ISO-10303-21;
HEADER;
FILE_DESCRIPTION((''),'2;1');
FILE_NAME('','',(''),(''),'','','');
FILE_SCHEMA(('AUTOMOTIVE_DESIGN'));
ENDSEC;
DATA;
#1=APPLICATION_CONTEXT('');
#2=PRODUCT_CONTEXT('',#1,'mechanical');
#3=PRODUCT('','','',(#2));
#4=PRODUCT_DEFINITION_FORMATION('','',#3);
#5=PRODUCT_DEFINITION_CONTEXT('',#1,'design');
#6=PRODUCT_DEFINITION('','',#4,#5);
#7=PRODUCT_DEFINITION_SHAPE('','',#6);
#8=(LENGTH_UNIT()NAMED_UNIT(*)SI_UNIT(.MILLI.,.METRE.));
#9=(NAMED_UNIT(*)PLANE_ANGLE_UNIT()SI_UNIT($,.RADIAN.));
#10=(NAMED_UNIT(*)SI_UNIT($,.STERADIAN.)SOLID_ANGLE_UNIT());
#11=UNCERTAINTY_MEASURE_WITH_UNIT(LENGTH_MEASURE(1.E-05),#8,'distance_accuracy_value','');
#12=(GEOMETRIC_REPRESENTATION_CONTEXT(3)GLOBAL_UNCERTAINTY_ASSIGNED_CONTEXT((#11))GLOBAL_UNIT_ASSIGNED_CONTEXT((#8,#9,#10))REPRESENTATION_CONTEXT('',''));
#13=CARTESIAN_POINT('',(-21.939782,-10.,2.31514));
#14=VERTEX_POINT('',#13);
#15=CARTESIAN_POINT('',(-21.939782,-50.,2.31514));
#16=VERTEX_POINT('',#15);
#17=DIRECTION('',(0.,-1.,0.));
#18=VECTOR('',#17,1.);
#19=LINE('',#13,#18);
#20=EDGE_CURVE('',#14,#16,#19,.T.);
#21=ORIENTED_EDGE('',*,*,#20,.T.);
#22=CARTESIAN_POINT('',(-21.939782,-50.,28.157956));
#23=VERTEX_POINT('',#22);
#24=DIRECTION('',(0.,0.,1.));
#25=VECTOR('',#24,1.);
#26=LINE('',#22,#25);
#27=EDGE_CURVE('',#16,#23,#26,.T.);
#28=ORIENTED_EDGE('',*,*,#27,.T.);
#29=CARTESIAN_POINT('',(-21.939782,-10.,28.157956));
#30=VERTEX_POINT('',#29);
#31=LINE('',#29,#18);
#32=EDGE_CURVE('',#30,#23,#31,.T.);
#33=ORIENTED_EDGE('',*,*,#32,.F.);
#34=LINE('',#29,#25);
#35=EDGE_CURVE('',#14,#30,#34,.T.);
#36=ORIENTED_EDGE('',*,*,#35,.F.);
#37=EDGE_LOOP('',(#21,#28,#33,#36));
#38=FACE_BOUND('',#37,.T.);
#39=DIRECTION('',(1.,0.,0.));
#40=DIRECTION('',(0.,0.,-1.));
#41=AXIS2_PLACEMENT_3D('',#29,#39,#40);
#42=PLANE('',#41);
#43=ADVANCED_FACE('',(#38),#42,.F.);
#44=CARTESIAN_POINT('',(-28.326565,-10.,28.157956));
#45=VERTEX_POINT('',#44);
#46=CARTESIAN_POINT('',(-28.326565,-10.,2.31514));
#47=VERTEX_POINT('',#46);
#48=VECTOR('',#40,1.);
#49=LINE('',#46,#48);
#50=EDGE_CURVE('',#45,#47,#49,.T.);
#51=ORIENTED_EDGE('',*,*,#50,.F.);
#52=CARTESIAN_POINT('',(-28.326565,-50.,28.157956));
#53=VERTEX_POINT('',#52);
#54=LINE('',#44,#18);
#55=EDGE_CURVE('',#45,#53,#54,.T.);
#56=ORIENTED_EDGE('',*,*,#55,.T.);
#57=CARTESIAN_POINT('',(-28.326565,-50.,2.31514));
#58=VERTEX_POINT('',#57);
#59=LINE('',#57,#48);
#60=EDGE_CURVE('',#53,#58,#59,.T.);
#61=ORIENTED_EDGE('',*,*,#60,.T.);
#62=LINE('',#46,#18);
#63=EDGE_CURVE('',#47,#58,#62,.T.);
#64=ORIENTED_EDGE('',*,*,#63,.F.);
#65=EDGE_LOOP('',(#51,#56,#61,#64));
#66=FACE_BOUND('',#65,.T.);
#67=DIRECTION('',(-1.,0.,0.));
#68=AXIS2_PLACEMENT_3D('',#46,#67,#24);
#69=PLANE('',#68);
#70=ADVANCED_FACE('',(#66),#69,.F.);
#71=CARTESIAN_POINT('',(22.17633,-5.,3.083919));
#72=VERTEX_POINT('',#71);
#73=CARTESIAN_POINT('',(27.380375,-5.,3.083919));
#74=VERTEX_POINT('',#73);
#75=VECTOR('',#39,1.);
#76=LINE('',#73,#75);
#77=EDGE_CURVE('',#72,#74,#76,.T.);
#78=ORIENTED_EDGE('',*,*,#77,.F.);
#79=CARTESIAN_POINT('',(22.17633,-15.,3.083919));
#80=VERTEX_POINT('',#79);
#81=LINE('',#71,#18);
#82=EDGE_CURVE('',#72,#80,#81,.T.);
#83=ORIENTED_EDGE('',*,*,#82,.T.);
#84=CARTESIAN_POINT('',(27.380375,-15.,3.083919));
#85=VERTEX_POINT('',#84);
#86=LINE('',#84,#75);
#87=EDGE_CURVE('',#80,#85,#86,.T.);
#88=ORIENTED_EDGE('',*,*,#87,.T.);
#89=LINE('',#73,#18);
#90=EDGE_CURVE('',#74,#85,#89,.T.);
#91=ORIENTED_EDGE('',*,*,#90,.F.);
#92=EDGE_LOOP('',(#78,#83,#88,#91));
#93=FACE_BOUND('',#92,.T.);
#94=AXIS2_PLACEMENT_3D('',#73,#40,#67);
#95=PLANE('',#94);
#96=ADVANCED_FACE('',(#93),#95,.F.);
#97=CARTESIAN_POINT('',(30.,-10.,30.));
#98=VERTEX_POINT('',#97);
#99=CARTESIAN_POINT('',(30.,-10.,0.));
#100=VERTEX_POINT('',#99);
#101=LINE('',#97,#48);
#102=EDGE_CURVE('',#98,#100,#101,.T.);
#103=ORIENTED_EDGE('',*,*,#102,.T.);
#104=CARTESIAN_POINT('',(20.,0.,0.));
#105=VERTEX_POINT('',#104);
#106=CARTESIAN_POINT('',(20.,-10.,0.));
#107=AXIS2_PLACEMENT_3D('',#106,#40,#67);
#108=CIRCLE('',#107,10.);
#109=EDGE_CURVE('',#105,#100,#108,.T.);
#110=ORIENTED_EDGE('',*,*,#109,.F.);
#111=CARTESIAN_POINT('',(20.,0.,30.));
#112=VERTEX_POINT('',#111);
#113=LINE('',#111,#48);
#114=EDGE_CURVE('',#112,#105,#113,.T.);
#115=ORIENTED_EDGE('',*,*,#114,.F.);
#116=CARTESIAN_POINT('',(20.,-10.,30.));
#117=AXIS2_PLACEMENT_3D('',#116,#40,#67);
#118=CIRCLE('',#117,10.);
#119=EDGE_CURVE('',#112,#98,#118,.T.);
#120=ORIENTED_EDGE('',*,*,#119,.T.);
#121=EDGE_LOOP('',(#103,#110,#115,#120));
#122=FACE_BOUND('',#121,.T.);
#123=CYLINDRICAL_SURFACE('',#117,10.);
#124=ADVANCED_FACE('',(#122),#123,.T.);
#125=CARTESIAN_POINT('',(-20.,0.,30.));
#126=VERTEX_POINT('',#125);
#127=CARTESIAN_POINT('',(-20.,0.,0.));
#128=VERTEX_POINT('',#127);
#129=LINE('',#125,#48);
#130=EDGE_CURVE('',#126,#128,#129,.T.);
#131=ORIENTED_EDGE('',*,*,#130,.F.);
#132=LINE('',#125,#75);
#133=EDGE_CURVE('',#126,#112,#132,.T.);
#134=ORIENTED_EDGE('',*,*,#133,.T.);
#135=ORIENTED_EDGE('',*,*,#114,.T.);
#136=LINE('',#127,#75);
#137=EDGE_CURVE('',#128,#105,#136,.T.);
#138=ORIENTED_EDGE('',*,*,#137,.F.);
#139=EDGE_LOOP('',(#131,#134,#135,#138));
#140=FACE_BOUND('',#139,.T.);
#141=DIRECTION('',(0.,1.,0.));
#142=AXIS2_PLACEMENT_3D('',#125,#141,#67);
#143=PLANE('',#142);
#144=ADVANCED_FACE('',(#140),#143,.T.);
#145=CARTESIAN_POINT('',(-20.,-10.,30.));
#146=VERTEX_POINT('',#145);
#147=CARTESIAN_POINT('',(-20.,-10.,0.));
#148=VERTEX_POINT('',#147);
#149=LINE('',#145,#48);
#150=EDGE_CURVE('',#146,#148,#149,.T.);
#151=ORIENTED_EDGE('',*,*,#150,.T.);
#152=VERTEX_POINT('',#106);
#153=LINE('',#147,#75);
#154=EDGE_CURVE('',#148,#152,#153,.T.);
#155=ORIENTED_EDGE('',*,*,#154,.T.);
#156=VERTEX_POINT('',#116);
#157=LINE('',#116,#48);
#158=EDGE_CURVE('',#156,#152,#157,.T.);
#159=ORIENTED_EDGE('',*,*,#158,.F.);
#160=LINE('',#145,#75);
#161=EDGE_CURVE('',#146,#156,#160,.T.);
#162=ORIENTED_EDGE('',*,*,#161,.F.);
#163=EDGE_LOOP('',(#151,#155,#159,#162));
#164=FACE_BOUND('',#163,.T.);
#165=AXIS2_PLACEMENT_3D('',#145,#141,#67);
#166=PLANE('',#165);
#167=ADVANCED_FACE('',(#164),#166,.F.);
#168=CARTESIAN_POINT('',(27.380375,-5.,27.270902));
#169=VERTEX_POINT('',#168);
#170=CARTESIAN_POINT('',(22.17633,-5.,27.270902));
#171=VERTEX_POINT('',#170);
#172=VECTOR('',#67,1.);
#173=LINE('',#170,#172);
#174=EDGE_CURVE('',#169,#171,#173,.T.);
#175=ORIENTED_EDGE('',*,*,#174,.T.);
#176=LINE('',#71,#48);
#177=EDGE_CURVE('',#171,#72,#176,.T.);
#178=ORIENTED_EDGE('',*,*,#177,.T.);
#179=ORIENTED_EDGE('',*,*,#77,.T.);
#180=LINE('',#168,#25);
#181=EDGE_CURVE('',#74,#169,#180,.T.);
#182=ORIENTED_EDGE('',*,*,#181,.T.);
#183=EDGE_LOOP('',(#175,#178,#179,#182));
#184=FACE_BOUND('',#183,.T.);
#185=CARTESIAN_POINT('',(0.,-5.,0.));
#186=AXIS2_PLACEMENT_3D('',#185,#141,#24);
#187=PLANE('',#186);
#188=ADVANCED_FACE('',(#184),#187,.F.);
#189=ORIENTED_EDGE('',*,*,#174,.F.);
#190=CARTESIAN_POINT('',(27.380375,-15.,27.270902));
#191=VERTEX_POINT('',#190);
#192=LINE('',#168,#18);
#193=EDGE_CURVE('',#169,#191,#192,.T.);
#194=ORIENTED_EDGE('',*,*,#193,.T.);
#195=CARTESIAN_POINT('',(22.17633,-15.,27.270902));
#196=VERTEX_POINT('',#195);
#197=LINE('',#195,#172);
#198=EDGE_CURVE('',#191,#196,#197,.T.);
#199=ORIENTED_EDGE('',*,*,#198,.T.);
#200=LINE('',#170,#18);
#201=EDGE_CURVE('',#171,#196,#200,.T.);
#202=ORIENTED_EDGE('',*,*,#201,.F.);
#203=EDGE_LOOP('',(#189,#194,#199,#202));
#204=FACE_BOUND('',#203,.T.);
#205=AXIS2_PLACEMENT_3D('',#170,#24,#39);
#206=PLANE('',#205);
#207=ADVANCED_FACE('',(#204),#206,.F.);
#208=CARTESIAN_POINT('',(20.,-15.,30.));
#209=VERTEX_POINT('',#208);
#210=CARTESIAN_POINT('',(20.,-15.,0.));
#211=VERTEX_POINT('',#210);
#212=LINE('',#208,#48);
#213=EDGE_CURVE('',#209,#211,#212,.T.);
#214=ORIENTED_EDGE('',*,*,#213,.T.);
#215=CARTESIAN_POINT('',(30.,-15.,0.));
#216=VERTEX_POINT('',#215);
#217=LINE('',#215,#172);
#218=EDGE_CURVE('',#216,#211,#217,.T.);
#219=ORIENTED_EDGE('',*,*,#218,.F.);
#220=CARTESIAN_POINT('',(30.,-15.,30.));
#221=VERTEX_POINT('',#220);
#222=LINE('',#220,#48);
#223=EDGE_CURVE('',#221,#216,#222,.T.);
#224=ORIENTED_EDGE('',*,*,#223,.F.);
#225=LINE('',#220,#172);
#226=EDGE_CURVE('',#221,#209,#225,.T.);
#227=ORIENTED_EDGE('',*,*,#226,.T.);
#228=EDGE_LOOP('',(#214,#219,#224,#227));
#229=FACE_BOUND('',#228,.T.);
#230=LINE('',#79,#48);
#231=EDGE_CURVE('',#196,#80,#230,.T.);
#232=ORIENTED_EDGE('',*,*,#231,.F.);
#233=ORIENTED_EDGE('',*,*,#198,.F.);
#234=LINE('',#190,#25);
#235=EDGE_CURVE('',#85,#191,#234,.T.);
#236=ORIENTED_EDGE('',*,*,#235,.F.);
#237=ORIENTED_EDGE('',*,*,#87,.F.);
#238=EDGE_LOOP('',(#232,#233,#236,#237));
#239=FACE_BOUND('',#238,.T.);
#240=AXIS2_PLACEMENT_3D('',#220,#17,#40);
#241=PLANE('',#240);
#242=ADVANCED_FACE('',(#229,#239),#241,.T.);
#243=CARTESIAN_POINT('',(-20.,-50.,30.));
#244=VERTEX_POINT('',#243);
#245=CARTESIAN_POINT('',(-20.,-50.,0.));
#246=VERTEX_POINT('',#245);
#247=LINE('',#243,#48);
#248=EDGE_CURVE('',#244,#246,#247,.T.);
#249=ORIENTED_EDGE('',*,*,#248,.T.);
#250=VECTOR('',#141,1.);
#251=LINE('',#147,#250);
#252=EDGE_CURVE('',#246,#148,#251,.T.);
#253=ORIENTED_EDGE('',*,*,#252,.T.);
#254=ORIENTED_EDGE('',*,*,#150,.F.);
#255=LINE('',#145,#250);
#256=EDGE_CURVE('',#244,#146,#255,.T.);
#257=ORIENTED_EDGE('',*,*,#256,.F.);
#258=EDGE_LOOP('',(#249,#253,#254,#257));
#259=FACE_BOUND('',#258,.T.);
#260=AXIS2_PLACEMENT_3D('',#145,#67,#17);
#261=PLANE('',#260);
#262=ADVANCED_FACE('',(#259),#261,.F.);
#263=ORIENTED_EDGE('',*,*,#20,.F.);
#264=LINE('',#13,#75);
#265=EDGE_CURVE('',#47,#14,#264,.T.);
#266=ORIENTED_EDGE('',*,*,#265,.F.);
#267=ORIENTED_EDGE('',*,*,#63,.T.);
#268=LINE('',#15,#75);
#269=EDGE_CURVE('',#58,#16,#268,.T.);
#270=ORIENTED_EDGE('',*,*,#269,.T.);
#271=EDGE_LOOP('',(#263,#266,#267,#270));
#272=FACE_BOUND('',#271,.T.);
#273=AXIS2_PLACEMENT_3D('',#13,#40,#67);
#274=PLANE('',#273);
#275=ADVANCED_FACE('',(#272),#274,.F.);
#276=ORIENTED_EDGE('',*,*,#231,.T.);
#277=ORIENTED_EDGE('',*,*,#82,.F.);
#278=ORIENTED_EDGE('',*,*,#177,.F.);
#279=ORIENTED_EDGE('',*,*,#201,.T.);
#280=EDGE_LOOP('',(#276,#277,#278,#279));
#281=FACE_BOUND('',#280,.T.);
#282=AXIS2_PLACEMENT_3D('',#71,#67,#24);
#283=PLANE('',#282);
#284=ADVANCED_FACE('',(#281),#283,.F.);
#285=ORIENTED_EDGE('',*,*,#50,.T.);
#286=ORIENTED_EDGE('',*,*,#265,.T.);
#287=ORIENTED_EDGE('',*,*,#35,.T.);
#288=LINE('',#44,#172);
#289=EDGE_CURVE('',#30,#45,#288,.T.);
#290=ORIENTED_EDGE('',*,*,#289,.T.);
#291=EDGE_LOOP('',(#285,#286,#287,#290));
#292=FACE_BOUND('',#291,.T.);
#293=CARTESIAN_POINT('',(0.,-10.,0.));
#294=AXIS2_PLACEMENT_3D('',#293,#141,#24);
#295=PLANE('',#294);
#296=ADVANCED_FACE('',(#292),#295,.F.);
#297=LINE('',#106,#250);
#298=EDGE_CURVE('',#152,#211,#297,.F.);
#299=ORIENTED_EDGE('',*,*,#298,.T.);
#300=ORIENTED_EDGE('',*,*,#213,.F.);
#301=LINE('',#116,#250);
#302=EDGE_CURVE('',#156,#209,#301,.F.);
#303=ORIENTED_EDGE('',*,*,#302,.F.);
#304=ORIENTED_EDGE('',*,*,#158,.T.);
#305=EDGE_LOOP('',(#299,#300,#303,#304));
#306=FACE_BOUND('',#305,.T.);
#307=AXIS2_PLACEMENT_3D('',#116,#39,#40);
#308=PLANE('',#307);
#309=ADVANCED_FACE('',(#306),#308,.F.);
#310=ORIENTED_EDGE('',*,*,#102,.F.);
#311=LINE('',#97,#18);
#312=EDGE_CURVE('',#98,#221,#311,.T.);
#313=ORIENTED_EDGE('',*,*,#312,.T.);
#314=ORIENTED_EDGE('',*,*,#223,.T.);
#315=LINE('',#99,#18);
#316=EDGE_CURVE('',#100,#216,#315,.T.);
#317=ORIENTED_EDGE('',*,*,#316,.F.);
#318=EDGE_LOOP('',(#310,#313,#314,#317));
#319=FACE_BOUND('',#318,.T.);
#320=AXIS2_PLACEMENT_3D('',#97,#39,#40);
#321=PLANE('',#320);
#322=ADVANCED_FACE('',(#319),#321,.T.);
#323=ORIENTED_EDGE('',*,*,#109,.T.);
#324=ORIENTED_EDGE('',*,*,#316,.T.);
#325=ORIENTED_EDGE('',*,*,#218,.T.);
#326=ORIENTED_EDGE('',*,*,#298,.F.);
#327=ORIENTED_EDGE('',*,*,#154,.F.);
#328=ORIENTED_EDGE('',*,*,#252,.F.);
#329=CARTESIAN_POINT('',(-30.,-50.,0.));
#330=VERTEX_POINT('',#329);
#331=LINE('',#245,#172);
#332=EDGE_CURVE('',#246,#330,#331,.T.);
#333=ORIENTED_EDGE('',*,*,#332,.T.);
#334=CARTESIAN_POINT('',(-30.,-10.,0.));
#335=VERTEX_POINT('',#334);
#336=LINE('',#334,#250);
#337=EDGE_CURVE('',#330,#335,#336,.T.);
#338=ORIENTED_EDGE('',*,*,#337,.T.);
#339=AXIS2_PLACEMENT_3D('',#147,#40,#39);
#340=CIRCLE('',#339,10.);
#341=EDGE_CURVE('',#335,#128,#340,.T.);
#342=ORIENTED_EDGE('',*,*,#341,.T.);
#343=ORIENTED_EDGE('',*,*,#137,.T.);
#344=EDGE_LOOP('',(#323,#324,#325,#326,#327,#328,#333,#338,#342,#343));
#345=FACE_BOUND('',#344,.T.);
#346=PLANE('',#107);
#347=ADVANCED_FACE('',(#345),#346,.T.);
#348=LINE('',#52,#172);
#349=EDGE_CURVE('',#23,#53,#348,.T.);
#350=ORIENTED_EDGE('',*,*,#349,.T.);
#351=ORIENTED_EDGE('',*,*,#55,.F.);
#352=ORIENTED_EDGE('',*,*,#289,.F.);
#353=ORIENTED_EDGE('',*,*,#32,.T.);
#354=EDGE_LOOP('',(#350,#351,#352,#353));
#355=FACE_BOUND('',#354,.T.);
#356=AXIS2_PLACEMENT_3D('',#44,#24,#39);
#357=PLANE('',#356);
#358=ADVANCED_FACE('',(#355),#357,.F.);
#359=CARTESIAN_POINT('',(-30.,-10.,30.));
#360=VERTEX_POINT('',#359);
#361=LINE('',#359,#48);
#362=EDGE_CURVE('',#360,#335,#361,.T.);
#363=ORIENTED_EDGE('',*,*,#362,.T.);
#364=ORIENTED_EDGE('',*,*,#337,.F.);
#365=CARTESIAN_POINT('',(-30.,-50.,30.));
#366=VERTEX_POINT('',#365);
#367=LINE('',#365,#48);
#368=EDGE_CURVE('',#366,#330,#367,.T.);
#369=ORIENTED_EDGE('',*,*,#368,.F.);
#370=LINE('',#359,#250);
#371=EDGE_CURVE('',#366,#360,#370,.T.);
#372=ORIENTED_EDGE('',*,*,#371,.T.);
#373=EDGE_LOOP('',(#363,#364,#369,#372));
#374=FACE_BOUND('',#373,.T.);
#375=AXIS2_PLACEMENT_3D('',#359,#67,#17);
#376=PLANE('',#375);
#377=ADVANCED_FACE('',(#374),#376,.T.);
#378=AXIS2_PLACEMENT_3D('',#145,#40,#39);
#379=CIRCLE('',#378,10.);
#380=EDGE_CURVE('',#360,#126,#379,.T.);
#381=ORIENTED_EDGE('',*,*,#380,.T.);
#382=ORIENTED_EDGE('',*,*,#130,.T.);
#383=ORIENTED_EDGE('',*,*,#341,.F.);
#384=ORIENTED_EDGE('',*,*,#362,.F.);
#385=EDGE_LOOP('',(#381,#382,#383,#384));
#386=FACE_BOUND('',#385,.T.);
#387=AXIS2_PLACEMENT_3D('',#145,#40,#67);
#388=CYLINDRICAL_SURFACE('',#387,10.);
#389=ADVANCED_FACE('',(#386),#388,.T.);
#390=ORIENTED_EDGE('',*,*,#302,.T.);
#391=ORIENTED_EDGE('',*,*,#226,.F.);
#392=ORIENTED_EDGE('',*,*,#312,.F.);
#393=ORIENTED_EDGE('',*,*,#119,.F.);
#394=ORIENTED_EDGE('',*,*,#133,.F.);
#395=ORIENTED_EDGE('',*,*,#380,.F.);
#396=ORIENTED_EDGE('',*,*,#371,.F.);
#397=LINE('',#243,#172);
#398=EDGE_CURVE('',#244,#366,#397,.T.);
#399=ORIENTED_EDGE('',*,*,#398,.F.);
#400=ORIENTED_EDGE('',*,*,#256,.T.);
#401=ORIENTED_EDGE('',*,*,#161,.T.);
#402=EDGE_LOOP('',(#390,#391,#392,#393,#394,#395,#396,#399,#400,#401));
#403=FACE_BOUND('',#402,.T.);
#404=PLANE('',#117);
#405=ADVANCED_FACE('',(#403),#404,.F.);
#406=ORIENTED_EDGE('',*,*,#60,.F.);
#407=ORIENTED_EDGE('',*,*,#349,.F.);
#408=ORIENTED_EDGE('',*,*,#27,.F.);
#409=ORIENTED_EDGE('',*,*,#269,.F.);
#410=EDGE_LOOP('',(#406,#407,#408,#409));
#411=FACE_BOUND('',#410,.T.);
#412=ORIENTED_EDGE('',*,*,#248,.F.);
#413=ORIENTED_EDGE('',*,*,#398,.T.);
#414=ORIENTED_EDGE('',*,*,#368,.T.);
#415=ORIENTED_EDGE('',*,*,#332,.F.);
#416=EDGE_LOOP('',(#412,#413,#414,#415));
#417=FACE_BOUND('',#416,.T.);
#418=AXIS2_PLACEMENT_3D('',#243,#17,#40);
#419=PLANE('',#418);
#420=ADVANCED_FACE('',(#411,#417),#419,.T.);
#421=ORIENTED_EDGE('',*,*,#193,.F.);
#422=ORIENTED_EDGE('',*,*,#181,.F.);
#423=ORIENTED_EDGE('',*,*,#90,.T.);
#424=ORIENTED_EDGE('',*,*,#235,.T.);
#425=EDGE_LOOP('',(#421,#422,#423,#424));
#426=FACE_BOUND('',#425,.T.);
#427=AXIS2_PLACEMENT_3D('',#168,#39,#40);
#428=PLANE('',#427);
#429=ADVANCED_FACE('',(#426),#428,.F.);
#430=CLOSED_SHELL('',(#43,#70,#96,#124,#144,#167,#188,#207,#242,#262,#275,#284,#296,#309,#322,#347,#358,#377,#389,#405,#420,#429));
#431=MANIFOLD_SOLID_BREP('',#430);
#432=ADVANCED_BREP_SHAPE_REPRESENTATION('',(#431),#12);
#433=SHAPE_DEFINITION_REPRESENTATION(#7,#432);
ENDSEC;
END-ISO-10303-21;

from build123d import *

# Parameters (mm, degrees)
EXTRU_MINCE3_DEPTH      = 30
ESQUISSE9_W             = 6.386782908
ESQUISSE9_H             = 25.842816024
ENL_V_MAT_EXTRU_1_DEPTH = 40
ESQUISSE10_W            = 5.204045332
ESQUISSE10_H            = 24.186983419
ENL_V_MAT_EXTRU_2_DEPTH = 10


with BuildPart() as part:
    # Esquisse5 → Extru.-Mince3 (new body)
    with BuildSketch(Plane.XY):
        with BuildLine():
            Line((-30, -50), (-30, -10))
            ThreePointArc((-30, -10), (-27.071067812, -2.928932188), (-20, 0))
            Line((-20, 0), (20, 0))
            ThreePointArc((20, 0), (27.071067812, -2.928932188), (30, -10))
            Line((30, -10), (30, -15))
            Line((30, -15), (20, -15))
            Line((20, -15), (20, -10))
            Line((20, -10), (-20, -10))
            Line((-20, -10), (-20, -50))
            Line((-20, -50), (-30, -50))
        make_face()
    extrude(amount=EXTRU_MINCE3_DEPTH)

    # Esquisse9 → Enlèv. mat.-Extru.1 (cut)
    with BuildSketch(Plane.XZ.offset(50)):
        with Locations((-25.133173479, 15.236547515)):
            Rectangle(ESQUISSE9_W, ESQUISSE9_H)
    extrude(amount=-ENL_V_MAT_EXTRU_1_DEPTH, mode=Mode.SUBTRACT)

    # Esquisse10 → Enlèv. mat.-Extru.2 (cut)
    with BuildSketch(Plane.XZ.offset(15)):
        with Locations((24.778352206, 15.177410637)):
            Rectangle(ESQUISSE10_W, ESQUISSE10_H)
    extrude(amount=-ENL_V_MAT_EXTRU_2_DEPTH, mode=Mode.SUBTRACT)


solid = part.part
